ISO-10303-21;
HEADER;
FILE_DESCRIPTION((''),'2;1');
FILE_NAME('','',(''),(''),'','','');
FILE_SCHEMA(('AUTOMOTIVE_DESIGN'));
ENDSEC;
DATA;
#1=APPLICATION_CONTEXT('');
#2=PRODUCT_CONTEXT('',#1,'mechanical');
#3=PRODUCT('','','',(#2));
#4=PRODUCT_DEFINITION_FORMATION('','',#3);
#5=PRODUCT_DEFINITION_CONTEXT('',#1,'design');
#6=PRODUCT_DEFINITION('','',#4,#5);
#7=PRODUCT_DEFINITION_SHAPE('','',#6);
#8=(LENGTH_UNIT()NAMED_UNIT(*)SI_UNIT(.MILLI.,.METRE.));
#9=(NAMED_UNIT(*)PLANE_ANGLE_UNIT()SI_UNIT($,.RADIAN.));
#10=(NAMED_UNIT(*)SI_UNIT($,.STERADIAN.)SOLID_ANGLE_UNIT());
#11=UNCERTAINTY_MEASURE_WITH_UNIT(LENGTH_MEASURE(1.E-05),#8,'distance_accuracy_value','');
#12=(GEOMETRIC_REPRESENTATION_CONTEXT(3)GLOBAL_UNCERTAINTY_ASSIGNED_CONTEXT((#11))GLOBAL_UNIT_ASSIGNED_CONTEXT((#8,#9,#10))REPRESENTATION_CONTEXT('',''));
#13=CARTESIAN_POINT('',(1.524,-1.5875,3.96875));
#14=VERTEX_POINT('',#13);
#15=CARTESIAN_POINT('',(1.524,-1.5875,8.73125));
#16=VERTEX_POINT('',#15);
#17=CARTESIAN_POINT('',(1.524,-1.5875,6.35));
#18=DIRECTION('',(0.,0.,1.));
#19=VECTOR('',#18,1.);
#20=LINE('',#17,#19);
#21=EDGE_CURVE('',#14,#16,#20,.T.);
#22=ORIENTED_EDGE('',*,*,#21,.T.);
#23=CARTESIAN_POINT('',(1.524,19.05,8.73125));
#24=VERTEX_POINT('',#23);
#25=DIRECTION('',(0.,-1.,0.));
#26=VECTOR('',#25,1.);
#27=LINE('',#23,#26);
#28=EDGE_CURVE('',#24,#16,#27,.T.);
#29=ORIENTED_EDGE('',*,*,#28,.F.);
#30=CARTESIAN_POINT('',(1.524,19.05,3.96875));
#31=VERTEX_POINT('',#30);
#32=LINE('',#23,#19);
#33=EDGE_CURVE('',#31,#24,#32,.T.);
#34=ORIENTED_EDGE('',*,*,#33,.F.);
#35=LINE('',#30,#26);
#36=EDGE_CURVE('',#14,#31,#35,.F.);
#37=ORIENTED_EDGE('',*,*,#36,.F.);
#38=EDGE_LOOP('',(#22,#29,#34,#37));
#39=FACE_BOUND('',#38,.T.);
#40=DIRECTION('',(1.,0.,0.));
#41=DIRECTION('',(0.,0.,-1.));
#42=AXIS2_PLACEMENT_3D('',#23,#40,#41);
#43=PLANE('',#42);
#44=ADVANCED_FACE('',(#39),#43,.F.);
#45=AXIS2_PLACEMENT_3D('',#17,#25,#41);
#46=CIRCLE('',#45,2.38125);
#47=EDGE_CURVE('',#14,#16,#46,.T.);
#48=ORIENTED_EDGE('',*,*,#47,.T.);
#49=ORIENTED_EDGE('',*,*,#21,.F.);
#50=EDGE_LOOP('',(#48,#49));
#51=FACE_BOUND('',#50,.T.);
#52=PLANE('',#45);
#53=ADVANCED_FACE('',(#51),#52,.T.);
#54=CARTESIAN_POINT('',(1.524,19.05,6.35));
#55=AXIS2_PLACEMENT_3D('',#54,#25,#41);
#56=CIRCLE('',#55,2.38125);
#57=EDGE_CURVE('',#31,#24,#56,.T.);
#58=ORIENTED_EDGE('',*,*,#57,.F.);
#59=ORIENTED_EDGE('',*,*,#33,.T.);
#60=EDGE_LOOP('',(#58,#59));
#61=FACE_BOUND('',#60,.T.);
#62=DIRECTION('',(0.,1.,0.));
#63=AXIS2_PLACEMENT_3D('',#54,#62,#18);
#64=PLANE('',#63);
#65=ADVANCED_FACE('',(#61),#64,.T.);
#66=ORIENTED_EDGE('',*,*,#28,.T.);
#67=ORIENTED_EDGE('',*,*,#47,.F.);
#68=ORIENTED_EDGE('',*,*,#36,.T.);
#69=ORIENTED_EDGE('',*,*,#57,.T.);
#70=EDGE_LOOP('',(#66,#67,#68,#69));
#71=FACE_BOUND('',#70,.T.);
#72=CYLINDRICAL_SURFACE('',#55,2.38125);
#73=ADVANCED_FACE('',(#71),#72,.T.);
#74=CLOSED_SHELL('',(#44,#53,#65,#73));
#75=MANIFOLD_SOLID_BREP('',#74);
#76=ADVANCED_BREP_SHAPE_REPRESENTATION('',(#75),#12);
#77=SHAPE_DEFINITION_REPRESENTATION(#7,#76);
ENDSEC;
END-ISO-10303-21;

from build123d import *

# Parameters (mm, degrees)
SKETCH1_R           = 2.38125
BOSS_EXTRUDE1_DEPTH = 1.5875
SKETCH2_R           = 3.175
BOSS_EXTRUDE2_DEPTH = 1.5875
SKETCH3_R           = 2.38125
BOSS_EXTRUDE3_DEPTH = 19.05
SKETCH4_R           = 3.175
BOSS_EXTRUDE4_DEPTH = 1.5875
SKETCH5_R           = 2.38125
BOSS_EXTRUDE5_DEPTH = 1.5875
SKETCH9_W           = 27.857962544
SKETCH9_H           = 18.98631043
SKETCH9_R           = 2.38125
CUT_EXTRUDE4_DEPTH  = 28.662025878
SKETCH12_W          = 2.976246955
SKETCH12_H          = 4.951375607
CUT_EXTRUDE5_DEPTH  = 23.746254865


with BuildPart() as part:
    # Sketch1 → Boss-Extrude1 (new body)
    with BuildSketch(Plane(origin=(0, 0, 0), x_dir=(1, 0, 0), z_dir=(0, 1, 0))):
        with BuildLine():
            Line((9.398005644, 4.762076723), (-6.35, 4.7625))
            ThreePointArc((-6.35, 4.7625), (-11.020584629, 0.931152767), (-8.176363381, -4.398386414))
            ThreePointArc((-8.176363381, -4.398386414), (-5.292234705, -6.221263486), (-3.181508348, -8.901918869))
            ThreePointArc((-3.181508348, -8.901918869), (1.849687492, -11.693035316), (6.504625866, -8.311495529))
            ThreePointArc((6.504625866, -8.311495529), (8.146827792, -5.96033805), (10.67447942, -4.60544104))
            ThreePointArc((10.67447942, -4.60544104), (14.180390361, 0.643024113), (9.398005644, 4.762076723))
        make_face()
        with Locations(Location((-6.35, 0, 0), (0, 0, 270))):
            Circle(SKETCH1_R, mode=Mode.SUBTRACT)
        with Locations(Location((9.4615, 0, 0), (0, 0, 270))):
            Circle(SKETCH1_R, mode=Mode.SUBTRACT)
        with Locations(Location((1.524, -6.35, 0), (0, 0, 270))):
            Circle(SKETCH1_R, mode=Mode.SUBTRACT)
    extrude(amount=BOSS_EXTRUDE1_DEPTH)

    # Sketch2 → Boss-Extrude2 (add)
    with BuildSketch(Plane.XZ):
        with Locations(Location((1.524, 6.35, 0), (0, 0, 90))):
            Circle(SKETCH2_R)
    extrude(amount=BOSS_EXTRUDE2_DEPTH)

    # Sketch3 → Boss-Extrude3 (add)
    with BuildSketch(Plane(origin=(0, 0, 0), x_dir=(1, 0, 0), z_dir=(0, 1, 0))):
        with Locations(Location((1.524, -6.35, 0), (0, 0, 90))):
            Circle(SKETCH3_R)
    extrude(amount=BOSS_EXTRUDE3_DEPTH)

    # Sketch4 → Boss-Extrude4 (add)
    with BuildSketch(Plane(origin=(0, 19.05, 0), x_dir=(1, 0, 0), z_dir=(0, 1, 0))):
        with Locations(Location((1.524, -6.35, 0), (0, 0, 270))):
            Circle(SKETCH4_R)
    extrude(amount=-BOSS_EXTRUDE4_DEPTH)


with BuildPart() as body_2:
    # Sketch5 → Boss-Extrude5 (new body)
    with BuildSketch(Plane.XZ.offset(-17.4625)):
        with BuildLine():
            ThreePointArc((-8.176363381, 4.398386414), (-11.020584629, -0.931152767), (-6.35, -4.7625))
            Line((-6.35, -4.7625), (9.4615, -4.7625))
            ThreePointArc((9.4615, -4.7625), (14.184572051, -0.611552653), (10.67447942, 4.60544104))
            ThreePointArc((10.67447942, 4.60544104), (8.146827792, 5.96033805), (6.504625866, 8.311495529))
            ThreePointArc((6.504625866, 8.311495529), (1.849687492, 11.693035316), (-3.181508348, 8.901918869))
            ThreePointArc((-3.181508348, 8.901918869), (-5.292234705, 6.221263486), (-8.176363381, 4.398386414))
        make_face()
        with Locations(Location((-6.35, 0, 0), (0, 0, 90))):
            Circle(SKETCH5_R, mode=Mode.SUBTRACT)
        with Locations(Location((9.4615, 0, 0), (0, 0, 90))):
            Circle(SKETCH5_R, mode=Mode.SUBTRACT)
        with Locations(Location((1.524, 6.35, 0), (0, 0, 270))):
            Circle(SKETCH5_R, mode=Mode.SUBTRACT)
    extrude(amount=BOSS_EXTRUDE5_DEPTH)


with BuildPart() as cut_extrude4_tool:
    # Sketch9 → Cut-Extrude4 (new, through all)
    with BuildSketch(Plane.XZ.offset(1.5875)):
        with Locations((1.177973605, 3.738325546)):
            Rectangle(SKETCH9_W, SKETCH9_H)
        with Locations(Location((1.524, 6.35, 0), (0, 0, 270))):
            Circle(SKETCH9_R, mode=Mode.SUBTRACT)
    extrude(amount=-CUT_EXTRUDE4_DEPTH)


with BuildPart() as part_1:
    add(part.part)

    # Cut-Extrude4: cut by cut_extrude4_tool
    add(cut_extrude4_tool.part, mode=Mode.SUBTRACT)

    # Sketch12 → Cut-Extrude5 (cut, through all)
    with BuildSketch(Plane.XZ.offset(1.5875)):
        with Locations((0.035876522, 6.255562197)):
            Rectangle(SKETCH12_W, SKETCH12_H)
    extrude(amount=-CUT_EXTRUDE5_DEPTH, mode=Mode.SUBTRACT)


with BuildPart() as body_2_1:
    add(body_2.part)

    # Cut-Extrude4: cut by cut_extrude4_tool
    add(cut_extrude4_tool.part, mode=Mode.SUBTRACT)


solid = part_1.part
